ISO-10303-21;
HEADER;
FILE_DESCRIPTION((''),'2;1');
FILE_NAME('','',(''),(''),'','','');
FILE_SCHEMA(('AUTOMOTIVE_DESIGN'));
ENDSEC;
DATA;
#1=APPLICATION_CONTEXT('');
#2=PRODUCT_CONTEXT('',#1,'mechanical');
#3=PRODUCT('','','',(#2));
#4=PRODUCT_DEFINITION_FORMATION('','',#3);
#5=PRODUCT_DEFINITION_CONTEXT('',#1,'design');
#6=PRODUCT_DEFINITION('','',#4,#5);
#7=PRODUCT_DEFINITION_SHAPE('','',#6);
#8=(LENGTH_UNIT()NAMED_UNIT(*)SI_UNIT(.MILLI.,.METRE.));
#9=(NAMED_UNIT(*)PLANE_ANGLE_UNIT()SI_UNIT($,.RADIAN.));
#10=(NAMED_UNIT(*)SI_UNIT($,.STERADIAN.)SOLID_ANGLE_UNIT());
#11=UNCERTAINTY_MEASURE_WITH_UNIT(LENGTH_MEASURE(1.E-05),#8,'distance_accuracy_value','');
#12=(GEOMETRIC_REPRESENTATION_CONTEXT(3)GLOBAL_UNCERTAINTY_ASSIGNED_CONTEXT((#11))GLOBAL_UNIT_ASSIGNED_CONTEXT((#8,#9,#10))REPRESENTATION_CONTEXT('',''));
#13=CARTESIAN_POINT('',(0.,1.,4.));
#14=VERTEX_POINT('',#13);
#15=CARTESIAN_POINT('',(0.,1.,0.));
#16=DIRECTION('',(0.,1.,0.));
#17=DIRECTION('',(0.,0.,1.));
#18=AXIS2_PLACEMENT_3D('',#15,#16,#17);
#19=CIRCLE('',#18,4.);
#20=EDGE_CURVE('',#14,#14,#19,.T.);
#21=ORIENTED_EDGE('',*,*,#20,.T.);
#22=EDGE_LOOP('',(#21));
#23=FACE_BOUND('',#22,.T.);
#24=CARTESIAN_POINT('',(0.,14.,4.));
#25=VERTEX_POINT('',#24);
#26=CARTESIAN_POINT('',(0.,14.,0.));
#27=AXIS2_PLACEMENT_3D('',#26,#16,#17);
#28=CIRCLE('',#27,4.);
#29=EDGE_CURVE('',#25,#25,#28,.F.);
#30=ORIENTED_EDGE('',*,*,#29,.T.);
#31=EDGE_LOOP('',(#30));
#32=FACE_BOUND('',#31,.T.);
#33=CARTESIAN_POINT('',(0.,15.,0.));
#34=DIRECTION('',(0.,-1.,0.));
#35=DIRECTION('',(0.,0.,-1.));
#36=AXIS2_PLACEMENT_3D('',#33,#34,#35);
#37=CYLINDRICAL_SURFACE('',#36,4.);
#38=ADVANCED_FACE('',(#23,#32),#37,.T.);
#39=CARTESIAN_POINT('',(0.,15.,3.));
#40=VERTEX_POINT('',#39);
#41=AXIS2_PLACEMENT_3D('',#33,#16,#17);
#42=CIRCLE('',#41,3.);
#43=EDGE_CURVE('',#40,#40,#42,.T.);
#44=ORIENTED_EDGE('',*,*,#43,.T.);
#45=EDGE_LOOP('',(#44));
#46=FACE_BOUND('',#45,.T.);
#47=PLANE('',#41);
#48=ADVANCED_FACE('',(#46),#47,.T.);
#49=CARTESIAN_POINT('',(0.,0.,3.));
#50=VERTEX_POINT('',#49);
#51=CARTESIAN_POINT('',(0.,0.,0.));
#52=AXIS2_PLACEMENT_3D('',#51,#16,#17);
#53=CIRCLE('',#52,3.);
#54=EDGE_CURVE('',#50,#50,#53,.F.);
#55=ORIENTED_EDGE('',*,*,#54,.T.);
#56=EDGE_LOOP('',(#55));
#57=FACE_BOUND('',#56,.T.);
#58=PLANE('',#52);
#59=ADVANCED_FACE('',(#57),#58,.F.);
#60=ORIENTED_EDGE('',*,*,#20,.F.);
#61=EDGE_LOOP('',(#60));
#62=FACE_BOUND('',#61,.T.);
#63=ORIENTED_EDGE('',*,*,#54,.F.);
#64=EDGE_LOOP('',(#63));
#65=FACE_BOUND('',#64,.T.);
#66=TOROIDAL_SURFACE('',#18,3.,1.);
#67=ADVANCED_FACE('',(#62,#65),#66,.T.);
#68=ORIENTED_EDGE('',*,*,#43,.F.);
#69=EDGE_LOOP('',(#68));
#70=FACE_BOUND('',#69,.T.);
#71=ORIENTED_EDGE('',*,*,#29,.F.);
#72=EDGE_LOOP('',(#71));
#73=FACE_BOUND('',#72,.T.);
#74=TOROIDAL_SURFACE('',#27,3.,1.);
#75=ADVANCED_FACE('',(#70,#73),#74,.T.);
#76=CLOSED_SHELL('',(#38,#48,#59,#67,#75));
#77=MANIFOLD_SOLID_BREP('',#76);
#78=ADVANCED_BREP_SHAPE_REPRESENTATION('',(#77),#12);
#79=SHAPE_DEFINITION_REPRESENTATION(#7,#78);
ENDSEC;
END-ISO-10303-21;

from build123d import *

# Parameters (mm, degrees)
SKETCH1_R           = 4
BOSS_EXTRUDE1_DEPTH = 15
FILLET1_R           = 1


with BuildPart() as part:
    # Sketch1 → Boss-Extrude1 (new body)
    with BuildSketch(Plane(origin=(0, 0, 0), x_dir=(1, 0, 0), z_dir=(0, 1, 0))):
        Circle(SKETCH1_R)
    extrude(amount=BOSS_EXTRUDE1_DEPTH)

    # Fillet1
    fillet1_edges = [part.edges().sort_by_distance(p)[0] for p in [
        (-4, 0, 0),
        (-4, 15, 0),
    ]]
    fillet(fillet1_edges, radius=FILLET1_R)


solid = part.part
